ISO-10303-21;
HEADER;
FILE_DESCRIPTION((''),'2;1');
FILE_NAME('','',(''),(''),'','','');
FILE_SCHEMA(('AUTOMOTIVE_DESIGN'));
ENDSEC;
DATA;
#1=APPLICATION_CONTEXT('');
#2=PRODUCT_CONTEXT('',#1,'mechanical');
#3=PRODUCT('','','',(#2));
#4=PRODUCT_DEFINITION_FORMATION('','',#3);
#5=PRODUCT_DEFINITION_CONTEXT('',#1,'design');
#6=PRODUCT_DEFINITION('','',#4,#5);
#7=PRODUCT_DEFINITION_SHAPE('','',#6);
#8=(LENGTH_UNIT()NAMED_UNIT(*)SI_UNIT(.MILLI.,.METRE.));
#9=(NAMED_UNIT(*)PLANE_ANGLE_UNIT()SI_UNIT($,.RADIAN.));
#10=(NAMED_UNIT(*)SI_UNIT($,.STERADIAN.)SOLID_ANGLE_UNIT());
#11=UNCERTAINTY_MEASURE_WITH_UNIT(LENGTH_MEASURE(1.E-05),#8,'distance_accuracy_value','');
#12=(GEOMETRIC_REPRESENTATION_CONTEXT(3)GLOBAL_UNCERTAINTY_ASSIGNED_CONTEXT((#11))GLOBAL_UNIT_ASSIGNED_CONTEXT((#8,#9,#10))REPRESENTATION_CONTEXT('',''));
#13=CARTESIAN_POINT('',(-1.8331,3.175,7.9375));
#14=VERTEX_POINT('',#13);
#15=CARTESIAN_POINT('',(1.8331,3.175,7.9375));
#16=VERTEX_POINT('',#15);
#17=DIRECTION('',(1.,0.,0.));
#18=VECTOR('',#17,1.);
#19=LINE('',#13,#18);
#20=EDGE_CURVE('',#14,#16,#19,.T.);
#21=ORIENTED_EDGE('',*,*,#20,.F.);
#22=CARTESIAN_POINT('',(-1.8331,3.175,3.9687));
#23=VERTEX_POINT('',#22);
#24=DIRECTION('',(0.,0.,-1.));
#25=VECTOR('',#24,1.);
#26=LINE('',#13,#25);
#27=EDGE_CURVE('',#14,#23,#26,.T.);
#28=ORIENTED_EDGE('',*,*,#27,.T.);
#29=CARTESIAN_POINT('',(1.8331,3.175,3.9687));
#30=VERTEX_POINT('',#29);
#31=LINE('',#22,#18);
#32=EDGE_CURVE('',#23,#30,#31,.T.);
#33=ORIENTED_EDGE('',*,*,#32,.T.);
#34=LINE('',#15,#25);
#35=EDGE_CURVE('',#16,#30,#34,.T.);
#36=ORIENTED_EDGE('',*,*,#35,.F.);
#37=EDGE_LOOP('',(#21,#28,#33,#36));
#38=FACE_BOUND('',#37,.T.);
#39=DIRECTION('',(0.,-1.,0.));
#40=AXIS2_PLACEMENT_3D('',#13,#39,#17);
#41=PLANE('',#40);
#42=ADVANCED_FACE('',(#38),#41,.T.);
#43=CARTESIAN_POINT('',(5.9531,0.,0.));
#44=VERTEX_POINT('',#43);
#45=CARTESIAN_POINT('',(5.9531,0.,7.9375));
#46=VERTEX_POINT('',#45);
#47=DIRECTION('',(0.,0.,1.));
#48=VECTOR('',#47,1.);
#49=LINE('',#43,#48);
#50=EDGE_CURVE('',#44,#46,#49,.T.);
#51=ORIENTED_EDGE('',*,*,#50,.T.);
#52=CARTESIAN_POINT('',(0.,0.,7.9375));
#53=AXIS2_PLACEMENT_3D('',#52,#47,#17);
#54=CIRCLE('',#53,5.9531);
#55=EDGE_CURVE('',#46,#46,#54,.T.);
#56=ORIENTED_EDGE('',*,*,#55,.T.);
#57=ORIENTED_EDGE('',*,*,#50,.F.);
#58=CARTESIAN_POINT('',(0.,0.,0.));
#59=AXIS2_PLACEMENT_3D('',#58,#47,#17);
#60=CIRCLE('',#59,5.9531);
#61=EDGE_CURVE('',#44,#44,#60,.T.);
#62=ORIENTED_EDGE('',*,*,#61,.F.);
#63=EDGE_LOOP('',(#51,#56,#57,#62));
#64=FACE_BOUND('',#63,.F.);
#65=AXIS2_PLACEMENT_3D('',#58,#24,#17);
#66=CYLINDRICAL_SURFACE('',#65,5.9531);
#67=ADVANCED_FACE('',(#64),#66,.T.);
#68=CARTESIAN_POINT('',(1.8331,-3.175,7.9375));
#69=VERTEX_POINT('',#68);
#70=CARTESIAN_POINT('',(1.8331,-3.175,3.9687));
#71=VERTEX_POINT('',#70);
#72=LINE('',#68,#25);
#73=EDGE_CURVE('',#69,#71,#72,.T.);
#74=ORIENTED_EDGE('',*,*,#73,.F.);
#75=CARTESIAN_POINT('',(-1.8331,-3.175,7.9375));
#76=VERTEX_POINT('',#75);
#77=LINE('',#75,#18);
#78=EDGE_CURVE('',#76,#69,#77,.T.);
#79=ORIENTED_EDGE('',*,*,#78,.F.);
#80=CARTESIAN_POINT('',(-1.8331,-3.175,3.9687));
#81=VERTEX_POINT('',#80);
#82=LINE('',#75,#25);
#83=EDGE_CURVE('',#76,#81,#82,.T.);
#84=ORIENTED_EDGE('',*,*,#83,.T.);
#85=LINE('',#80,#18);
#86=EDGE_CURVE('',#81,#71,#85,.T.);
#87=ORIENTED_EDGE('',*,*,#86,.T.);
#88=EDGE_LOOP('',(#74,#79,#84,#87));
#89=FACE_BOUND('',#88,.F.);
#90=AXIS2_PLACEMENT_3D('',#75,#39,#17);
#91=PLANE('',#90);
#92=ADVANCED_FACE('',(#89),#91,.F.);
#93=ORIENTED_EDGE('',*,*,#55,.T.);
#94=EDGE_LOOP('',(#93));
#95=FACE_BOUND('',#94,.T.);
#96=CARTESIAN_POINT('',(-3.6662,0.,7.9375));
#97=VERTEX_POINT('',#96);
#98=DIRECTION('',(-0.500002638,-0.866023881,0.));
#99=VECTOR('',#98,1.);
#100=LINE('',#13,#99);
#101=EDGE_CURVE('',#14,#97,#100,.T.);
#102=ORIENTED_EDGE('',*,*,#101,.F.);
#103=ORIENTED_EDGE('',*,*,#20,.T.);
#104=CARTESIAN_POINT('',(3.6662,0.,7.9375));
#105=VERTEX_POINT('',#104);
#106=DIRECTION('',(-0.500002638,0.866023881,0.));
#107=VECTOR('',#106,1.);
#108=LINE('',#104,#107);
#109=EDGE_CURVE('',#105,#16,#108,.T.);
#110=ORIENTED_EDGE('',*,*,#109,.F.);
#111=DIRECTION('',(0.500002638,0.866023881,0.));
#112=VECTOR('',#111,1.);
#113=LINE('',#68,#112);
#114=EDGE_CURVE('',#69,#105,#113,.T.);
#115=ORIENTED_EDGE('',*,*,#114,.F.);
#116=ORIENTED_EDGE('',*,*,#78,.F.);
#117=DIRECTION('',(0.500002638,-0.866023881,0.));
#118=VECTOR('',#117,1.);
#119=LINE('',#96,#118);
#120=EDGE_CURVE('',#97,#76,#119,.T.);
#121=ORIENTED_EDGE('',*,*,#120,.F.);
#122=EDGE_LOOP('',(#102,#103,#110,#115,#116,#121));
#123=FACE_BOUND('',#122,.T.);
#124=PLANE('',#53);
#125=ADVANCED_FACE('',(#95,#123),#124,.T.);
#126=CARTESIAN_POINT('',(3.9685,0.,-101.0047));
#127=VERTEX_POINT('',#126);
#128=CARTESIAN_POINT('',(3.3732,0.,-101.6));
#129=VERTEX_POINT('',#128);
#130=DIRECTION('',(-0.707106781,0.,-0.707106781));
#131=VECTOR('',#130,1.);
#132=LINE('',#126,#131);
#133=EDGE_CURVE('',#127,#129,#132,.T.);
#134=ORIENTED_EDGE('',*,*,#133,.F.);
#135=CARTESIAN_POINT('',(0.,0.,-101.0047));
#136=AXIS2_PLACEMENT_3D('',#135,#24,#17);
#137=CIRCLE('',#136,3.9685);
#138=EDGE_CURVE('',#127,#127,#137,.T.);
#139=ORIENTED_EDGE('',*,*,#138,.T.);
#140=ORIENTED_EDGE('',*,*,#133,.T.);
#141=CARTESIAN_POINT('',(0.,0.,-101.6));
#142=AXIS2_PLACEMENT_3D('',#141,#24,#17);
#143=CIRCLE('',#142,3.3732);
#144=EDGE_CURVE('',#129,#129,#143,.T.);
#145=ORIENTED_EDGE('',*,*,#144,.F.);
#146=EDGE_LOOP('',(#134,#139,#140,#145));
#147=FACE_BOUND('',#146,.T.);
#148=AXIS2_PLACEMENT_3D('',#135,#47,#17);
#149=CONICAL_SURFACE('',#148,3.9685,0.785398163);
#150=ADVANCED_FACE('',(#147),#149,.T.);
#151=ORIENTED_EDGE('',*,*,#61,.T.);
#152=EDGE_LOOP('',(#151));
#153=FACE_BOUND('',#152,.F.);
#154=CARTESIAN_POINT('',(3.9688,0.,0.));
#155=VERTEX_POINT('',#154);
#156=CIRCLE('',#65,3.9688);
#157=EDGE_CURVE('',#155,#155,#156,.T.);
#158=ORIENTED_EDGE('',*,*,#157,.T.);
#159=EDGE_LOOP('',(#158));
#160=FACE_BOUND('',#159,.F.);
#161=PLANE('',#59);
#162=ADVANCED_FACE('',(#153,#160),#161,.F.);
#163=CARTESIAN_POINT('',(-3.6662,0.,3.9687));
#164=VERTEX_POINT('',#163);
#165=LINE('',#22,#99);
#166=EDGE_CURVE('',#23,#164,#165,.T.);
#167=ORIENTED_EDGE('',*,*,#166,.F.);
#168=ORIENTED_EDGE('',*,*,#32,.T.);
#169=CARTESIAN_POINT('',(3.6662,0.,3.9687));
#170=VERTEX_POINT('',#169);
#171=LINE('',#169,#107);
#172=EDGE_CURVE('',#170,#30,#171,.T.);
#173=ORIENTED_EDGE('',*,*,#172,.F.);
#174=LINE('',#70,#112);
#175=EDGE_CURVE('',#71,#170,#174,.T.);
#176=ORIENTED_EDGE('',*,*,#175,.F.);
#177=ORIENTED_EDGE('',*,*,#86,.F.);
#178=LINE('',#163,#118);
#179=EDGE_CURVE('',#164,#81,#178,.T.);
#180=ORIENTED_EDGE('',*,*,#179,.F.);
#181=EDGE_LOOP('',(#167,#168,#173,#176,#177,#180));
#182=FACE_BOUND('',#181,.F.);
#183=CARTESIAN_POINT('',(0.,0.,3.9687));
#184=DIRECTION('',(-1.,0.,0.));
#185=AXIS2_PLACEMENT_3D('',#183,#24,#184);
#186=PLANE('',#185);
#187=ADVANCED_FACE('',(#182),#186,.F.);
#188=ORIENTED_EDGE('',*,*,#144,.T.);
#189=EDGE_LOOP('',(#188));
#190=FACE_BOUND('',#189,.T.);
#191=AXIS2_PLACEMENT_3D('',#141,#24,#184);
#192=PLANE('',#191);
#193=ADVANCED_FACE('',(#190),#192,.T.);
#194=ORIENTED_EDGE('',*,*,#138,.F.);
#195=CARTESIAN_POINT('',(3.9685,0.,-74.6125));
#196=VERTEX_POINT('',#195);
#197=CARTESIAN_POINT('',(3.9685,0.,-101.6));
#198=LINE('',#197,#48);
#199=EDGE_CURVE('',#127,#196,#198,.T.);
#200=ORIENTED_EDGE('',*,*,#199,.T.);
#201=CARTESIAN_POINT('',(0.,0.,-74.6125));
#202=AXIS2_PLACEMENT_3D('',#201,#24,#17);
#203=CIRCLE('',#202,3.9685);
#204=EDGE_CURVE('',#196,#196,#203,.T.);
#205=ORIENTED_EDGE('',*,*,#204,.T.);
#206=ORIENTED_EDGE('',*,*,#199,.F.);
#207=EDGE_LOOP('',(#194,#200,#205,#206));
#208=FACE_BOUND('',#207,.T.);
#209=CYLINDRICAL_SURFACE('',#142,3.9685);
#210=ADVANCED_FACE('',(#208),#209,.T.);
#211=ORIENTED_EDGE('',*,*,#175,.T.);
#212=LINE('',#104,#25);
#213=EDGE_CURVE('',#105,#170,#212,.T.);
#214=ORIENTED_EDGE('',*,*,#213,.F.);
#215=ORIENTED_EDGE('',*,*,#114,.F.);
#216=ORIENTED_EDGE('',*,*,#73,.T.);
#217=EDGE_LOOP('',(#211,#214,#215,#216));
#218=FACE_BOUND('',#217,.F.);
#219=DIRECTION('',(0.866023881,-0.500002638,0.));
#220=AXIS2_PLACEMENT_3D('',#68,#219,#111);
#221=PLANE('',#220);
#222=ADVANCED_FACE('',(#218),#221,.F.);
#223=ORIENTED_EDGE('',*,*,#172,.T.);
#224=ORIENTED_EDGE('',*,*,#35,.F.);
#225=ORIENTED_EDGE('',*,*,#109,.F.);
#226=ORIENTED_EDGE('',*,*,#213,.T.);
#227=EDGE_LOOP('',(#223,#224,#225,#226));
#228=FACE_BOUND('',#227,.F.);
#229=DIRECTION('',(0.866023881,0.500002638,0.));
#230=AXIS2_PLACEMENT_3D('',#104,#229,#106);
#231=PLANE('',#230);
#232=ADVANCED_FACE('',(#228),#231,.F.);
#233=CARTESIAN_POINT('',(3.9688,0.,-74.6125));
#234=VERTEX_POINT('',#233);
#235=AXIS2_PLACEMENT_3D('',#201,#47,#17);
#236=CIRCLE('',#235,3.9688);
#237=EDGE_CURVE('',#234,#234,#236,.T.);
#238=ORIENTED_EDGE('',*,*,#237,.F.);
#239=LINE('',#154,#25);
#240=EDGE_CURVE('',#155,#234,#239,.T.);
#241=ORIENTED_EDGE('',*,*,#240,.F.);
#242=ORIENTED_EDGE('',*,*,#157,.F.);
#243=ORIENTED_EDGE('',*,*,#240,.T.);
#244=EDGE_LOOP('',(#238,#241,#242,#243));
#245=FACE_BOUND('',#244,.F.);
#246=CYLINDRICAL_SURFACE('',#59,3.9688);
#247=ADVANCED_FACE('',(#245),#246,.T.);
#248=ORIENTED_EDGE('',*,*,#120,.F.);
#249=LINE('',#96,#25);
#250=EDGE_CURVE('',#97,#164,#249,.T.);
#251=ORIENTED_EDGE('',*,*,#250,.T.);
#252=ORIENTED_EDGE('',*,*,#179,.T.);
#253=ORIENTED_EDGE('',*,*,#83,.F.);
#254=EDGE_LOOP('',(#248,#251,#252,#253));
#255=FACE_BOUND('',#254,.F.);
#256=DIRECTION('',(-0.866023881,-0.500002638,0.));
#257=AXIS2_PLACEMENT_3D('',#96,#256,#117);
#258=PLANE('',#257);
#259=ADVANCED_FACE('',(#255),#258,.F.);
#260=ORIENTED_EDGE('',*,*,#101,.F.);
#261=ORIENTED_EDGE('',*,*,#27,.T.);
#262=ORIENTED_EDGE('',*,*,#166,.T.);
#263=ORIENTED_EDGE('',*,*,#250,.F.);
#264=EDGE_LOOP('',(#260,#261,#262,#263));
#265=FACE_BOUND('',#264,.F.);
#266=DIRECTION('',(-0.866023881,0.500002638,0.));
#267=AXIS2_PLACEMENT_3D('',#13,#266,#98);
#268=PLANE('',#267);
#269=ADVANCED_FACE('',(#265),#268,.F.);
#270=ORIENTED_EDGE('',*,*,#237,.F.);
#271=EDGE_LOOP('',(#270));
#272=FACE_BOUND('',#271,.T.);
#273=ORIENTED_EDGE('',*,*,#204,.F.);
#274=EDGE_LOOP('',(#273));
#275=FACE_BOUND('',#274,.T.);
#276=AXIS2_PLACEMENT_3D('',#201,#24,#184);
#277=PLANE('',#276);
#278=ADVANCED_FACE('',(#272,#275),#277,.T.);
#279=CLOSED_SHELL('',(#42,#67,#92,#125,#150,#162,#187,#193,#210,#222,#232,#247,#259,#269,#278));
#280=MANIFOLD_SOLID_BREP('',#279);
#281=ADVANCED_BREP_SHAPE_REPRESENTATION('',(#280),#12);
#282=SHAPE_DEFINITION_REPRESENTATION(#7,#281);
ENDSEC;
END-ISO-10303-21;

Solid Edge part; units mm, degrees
sketch "Sketch1" plane through (0, 0, 0) normal (0, 0, 1) x (1, 0, 0)
  circle A0 centre (0, 0) radius 5.9531
  dimension "D1" = 11.9062
extrude "Protrusion1" add sketch "Sketch1" along normal blind 7.9375
sketch "Sketch2" plane through (0, 0, 0) normal (0, 0, -1) x (1, 0, 0)
  circle A0 centre (0, 0) radius 3.9688
extrude "Protrusion2" add sketch "Sketch2" along normal blind 101.6
sketch "Sketch3" plane through (0, 0, -101.6) normal (0, 0, -1) x (1, 0, 0)
  circle A0 centre (0, 0) radius 3.9685
extrude "Cutout1" cut sketch "Sketch3" against normal blind 26.9875 flip side to cut
chamfer "Chamfer_1" distance 0.5953 angle 45 1 edges at (-3.9685, 0, -101.6)
sketch "Sketch4" plane through (0, 0, 7.9375) normal (0, 0, 1) x (1, 0, 0)
  line L0 (-1.8331, 3.175) -> (1.8331, 3.175)
  line L1 (3.6662, 0) -> (1.8331, 3.175)
  line L2 (1.8331, -3.175) -> (3.6662, 0)
  line L3 (-1.8331, -3.175) -> (1.8331, -3.175)
  line L4 (-3.6662, 0) -> (-1.8331, -3.175)
  line L5 (-1.8331, 3.175) -> (-3.6662, 0)
  dimension "D1" = 6.35
extrude "Cutout2" cut sketch "Sketch4" against normal blind 3.9688
properties part number "24102208"
